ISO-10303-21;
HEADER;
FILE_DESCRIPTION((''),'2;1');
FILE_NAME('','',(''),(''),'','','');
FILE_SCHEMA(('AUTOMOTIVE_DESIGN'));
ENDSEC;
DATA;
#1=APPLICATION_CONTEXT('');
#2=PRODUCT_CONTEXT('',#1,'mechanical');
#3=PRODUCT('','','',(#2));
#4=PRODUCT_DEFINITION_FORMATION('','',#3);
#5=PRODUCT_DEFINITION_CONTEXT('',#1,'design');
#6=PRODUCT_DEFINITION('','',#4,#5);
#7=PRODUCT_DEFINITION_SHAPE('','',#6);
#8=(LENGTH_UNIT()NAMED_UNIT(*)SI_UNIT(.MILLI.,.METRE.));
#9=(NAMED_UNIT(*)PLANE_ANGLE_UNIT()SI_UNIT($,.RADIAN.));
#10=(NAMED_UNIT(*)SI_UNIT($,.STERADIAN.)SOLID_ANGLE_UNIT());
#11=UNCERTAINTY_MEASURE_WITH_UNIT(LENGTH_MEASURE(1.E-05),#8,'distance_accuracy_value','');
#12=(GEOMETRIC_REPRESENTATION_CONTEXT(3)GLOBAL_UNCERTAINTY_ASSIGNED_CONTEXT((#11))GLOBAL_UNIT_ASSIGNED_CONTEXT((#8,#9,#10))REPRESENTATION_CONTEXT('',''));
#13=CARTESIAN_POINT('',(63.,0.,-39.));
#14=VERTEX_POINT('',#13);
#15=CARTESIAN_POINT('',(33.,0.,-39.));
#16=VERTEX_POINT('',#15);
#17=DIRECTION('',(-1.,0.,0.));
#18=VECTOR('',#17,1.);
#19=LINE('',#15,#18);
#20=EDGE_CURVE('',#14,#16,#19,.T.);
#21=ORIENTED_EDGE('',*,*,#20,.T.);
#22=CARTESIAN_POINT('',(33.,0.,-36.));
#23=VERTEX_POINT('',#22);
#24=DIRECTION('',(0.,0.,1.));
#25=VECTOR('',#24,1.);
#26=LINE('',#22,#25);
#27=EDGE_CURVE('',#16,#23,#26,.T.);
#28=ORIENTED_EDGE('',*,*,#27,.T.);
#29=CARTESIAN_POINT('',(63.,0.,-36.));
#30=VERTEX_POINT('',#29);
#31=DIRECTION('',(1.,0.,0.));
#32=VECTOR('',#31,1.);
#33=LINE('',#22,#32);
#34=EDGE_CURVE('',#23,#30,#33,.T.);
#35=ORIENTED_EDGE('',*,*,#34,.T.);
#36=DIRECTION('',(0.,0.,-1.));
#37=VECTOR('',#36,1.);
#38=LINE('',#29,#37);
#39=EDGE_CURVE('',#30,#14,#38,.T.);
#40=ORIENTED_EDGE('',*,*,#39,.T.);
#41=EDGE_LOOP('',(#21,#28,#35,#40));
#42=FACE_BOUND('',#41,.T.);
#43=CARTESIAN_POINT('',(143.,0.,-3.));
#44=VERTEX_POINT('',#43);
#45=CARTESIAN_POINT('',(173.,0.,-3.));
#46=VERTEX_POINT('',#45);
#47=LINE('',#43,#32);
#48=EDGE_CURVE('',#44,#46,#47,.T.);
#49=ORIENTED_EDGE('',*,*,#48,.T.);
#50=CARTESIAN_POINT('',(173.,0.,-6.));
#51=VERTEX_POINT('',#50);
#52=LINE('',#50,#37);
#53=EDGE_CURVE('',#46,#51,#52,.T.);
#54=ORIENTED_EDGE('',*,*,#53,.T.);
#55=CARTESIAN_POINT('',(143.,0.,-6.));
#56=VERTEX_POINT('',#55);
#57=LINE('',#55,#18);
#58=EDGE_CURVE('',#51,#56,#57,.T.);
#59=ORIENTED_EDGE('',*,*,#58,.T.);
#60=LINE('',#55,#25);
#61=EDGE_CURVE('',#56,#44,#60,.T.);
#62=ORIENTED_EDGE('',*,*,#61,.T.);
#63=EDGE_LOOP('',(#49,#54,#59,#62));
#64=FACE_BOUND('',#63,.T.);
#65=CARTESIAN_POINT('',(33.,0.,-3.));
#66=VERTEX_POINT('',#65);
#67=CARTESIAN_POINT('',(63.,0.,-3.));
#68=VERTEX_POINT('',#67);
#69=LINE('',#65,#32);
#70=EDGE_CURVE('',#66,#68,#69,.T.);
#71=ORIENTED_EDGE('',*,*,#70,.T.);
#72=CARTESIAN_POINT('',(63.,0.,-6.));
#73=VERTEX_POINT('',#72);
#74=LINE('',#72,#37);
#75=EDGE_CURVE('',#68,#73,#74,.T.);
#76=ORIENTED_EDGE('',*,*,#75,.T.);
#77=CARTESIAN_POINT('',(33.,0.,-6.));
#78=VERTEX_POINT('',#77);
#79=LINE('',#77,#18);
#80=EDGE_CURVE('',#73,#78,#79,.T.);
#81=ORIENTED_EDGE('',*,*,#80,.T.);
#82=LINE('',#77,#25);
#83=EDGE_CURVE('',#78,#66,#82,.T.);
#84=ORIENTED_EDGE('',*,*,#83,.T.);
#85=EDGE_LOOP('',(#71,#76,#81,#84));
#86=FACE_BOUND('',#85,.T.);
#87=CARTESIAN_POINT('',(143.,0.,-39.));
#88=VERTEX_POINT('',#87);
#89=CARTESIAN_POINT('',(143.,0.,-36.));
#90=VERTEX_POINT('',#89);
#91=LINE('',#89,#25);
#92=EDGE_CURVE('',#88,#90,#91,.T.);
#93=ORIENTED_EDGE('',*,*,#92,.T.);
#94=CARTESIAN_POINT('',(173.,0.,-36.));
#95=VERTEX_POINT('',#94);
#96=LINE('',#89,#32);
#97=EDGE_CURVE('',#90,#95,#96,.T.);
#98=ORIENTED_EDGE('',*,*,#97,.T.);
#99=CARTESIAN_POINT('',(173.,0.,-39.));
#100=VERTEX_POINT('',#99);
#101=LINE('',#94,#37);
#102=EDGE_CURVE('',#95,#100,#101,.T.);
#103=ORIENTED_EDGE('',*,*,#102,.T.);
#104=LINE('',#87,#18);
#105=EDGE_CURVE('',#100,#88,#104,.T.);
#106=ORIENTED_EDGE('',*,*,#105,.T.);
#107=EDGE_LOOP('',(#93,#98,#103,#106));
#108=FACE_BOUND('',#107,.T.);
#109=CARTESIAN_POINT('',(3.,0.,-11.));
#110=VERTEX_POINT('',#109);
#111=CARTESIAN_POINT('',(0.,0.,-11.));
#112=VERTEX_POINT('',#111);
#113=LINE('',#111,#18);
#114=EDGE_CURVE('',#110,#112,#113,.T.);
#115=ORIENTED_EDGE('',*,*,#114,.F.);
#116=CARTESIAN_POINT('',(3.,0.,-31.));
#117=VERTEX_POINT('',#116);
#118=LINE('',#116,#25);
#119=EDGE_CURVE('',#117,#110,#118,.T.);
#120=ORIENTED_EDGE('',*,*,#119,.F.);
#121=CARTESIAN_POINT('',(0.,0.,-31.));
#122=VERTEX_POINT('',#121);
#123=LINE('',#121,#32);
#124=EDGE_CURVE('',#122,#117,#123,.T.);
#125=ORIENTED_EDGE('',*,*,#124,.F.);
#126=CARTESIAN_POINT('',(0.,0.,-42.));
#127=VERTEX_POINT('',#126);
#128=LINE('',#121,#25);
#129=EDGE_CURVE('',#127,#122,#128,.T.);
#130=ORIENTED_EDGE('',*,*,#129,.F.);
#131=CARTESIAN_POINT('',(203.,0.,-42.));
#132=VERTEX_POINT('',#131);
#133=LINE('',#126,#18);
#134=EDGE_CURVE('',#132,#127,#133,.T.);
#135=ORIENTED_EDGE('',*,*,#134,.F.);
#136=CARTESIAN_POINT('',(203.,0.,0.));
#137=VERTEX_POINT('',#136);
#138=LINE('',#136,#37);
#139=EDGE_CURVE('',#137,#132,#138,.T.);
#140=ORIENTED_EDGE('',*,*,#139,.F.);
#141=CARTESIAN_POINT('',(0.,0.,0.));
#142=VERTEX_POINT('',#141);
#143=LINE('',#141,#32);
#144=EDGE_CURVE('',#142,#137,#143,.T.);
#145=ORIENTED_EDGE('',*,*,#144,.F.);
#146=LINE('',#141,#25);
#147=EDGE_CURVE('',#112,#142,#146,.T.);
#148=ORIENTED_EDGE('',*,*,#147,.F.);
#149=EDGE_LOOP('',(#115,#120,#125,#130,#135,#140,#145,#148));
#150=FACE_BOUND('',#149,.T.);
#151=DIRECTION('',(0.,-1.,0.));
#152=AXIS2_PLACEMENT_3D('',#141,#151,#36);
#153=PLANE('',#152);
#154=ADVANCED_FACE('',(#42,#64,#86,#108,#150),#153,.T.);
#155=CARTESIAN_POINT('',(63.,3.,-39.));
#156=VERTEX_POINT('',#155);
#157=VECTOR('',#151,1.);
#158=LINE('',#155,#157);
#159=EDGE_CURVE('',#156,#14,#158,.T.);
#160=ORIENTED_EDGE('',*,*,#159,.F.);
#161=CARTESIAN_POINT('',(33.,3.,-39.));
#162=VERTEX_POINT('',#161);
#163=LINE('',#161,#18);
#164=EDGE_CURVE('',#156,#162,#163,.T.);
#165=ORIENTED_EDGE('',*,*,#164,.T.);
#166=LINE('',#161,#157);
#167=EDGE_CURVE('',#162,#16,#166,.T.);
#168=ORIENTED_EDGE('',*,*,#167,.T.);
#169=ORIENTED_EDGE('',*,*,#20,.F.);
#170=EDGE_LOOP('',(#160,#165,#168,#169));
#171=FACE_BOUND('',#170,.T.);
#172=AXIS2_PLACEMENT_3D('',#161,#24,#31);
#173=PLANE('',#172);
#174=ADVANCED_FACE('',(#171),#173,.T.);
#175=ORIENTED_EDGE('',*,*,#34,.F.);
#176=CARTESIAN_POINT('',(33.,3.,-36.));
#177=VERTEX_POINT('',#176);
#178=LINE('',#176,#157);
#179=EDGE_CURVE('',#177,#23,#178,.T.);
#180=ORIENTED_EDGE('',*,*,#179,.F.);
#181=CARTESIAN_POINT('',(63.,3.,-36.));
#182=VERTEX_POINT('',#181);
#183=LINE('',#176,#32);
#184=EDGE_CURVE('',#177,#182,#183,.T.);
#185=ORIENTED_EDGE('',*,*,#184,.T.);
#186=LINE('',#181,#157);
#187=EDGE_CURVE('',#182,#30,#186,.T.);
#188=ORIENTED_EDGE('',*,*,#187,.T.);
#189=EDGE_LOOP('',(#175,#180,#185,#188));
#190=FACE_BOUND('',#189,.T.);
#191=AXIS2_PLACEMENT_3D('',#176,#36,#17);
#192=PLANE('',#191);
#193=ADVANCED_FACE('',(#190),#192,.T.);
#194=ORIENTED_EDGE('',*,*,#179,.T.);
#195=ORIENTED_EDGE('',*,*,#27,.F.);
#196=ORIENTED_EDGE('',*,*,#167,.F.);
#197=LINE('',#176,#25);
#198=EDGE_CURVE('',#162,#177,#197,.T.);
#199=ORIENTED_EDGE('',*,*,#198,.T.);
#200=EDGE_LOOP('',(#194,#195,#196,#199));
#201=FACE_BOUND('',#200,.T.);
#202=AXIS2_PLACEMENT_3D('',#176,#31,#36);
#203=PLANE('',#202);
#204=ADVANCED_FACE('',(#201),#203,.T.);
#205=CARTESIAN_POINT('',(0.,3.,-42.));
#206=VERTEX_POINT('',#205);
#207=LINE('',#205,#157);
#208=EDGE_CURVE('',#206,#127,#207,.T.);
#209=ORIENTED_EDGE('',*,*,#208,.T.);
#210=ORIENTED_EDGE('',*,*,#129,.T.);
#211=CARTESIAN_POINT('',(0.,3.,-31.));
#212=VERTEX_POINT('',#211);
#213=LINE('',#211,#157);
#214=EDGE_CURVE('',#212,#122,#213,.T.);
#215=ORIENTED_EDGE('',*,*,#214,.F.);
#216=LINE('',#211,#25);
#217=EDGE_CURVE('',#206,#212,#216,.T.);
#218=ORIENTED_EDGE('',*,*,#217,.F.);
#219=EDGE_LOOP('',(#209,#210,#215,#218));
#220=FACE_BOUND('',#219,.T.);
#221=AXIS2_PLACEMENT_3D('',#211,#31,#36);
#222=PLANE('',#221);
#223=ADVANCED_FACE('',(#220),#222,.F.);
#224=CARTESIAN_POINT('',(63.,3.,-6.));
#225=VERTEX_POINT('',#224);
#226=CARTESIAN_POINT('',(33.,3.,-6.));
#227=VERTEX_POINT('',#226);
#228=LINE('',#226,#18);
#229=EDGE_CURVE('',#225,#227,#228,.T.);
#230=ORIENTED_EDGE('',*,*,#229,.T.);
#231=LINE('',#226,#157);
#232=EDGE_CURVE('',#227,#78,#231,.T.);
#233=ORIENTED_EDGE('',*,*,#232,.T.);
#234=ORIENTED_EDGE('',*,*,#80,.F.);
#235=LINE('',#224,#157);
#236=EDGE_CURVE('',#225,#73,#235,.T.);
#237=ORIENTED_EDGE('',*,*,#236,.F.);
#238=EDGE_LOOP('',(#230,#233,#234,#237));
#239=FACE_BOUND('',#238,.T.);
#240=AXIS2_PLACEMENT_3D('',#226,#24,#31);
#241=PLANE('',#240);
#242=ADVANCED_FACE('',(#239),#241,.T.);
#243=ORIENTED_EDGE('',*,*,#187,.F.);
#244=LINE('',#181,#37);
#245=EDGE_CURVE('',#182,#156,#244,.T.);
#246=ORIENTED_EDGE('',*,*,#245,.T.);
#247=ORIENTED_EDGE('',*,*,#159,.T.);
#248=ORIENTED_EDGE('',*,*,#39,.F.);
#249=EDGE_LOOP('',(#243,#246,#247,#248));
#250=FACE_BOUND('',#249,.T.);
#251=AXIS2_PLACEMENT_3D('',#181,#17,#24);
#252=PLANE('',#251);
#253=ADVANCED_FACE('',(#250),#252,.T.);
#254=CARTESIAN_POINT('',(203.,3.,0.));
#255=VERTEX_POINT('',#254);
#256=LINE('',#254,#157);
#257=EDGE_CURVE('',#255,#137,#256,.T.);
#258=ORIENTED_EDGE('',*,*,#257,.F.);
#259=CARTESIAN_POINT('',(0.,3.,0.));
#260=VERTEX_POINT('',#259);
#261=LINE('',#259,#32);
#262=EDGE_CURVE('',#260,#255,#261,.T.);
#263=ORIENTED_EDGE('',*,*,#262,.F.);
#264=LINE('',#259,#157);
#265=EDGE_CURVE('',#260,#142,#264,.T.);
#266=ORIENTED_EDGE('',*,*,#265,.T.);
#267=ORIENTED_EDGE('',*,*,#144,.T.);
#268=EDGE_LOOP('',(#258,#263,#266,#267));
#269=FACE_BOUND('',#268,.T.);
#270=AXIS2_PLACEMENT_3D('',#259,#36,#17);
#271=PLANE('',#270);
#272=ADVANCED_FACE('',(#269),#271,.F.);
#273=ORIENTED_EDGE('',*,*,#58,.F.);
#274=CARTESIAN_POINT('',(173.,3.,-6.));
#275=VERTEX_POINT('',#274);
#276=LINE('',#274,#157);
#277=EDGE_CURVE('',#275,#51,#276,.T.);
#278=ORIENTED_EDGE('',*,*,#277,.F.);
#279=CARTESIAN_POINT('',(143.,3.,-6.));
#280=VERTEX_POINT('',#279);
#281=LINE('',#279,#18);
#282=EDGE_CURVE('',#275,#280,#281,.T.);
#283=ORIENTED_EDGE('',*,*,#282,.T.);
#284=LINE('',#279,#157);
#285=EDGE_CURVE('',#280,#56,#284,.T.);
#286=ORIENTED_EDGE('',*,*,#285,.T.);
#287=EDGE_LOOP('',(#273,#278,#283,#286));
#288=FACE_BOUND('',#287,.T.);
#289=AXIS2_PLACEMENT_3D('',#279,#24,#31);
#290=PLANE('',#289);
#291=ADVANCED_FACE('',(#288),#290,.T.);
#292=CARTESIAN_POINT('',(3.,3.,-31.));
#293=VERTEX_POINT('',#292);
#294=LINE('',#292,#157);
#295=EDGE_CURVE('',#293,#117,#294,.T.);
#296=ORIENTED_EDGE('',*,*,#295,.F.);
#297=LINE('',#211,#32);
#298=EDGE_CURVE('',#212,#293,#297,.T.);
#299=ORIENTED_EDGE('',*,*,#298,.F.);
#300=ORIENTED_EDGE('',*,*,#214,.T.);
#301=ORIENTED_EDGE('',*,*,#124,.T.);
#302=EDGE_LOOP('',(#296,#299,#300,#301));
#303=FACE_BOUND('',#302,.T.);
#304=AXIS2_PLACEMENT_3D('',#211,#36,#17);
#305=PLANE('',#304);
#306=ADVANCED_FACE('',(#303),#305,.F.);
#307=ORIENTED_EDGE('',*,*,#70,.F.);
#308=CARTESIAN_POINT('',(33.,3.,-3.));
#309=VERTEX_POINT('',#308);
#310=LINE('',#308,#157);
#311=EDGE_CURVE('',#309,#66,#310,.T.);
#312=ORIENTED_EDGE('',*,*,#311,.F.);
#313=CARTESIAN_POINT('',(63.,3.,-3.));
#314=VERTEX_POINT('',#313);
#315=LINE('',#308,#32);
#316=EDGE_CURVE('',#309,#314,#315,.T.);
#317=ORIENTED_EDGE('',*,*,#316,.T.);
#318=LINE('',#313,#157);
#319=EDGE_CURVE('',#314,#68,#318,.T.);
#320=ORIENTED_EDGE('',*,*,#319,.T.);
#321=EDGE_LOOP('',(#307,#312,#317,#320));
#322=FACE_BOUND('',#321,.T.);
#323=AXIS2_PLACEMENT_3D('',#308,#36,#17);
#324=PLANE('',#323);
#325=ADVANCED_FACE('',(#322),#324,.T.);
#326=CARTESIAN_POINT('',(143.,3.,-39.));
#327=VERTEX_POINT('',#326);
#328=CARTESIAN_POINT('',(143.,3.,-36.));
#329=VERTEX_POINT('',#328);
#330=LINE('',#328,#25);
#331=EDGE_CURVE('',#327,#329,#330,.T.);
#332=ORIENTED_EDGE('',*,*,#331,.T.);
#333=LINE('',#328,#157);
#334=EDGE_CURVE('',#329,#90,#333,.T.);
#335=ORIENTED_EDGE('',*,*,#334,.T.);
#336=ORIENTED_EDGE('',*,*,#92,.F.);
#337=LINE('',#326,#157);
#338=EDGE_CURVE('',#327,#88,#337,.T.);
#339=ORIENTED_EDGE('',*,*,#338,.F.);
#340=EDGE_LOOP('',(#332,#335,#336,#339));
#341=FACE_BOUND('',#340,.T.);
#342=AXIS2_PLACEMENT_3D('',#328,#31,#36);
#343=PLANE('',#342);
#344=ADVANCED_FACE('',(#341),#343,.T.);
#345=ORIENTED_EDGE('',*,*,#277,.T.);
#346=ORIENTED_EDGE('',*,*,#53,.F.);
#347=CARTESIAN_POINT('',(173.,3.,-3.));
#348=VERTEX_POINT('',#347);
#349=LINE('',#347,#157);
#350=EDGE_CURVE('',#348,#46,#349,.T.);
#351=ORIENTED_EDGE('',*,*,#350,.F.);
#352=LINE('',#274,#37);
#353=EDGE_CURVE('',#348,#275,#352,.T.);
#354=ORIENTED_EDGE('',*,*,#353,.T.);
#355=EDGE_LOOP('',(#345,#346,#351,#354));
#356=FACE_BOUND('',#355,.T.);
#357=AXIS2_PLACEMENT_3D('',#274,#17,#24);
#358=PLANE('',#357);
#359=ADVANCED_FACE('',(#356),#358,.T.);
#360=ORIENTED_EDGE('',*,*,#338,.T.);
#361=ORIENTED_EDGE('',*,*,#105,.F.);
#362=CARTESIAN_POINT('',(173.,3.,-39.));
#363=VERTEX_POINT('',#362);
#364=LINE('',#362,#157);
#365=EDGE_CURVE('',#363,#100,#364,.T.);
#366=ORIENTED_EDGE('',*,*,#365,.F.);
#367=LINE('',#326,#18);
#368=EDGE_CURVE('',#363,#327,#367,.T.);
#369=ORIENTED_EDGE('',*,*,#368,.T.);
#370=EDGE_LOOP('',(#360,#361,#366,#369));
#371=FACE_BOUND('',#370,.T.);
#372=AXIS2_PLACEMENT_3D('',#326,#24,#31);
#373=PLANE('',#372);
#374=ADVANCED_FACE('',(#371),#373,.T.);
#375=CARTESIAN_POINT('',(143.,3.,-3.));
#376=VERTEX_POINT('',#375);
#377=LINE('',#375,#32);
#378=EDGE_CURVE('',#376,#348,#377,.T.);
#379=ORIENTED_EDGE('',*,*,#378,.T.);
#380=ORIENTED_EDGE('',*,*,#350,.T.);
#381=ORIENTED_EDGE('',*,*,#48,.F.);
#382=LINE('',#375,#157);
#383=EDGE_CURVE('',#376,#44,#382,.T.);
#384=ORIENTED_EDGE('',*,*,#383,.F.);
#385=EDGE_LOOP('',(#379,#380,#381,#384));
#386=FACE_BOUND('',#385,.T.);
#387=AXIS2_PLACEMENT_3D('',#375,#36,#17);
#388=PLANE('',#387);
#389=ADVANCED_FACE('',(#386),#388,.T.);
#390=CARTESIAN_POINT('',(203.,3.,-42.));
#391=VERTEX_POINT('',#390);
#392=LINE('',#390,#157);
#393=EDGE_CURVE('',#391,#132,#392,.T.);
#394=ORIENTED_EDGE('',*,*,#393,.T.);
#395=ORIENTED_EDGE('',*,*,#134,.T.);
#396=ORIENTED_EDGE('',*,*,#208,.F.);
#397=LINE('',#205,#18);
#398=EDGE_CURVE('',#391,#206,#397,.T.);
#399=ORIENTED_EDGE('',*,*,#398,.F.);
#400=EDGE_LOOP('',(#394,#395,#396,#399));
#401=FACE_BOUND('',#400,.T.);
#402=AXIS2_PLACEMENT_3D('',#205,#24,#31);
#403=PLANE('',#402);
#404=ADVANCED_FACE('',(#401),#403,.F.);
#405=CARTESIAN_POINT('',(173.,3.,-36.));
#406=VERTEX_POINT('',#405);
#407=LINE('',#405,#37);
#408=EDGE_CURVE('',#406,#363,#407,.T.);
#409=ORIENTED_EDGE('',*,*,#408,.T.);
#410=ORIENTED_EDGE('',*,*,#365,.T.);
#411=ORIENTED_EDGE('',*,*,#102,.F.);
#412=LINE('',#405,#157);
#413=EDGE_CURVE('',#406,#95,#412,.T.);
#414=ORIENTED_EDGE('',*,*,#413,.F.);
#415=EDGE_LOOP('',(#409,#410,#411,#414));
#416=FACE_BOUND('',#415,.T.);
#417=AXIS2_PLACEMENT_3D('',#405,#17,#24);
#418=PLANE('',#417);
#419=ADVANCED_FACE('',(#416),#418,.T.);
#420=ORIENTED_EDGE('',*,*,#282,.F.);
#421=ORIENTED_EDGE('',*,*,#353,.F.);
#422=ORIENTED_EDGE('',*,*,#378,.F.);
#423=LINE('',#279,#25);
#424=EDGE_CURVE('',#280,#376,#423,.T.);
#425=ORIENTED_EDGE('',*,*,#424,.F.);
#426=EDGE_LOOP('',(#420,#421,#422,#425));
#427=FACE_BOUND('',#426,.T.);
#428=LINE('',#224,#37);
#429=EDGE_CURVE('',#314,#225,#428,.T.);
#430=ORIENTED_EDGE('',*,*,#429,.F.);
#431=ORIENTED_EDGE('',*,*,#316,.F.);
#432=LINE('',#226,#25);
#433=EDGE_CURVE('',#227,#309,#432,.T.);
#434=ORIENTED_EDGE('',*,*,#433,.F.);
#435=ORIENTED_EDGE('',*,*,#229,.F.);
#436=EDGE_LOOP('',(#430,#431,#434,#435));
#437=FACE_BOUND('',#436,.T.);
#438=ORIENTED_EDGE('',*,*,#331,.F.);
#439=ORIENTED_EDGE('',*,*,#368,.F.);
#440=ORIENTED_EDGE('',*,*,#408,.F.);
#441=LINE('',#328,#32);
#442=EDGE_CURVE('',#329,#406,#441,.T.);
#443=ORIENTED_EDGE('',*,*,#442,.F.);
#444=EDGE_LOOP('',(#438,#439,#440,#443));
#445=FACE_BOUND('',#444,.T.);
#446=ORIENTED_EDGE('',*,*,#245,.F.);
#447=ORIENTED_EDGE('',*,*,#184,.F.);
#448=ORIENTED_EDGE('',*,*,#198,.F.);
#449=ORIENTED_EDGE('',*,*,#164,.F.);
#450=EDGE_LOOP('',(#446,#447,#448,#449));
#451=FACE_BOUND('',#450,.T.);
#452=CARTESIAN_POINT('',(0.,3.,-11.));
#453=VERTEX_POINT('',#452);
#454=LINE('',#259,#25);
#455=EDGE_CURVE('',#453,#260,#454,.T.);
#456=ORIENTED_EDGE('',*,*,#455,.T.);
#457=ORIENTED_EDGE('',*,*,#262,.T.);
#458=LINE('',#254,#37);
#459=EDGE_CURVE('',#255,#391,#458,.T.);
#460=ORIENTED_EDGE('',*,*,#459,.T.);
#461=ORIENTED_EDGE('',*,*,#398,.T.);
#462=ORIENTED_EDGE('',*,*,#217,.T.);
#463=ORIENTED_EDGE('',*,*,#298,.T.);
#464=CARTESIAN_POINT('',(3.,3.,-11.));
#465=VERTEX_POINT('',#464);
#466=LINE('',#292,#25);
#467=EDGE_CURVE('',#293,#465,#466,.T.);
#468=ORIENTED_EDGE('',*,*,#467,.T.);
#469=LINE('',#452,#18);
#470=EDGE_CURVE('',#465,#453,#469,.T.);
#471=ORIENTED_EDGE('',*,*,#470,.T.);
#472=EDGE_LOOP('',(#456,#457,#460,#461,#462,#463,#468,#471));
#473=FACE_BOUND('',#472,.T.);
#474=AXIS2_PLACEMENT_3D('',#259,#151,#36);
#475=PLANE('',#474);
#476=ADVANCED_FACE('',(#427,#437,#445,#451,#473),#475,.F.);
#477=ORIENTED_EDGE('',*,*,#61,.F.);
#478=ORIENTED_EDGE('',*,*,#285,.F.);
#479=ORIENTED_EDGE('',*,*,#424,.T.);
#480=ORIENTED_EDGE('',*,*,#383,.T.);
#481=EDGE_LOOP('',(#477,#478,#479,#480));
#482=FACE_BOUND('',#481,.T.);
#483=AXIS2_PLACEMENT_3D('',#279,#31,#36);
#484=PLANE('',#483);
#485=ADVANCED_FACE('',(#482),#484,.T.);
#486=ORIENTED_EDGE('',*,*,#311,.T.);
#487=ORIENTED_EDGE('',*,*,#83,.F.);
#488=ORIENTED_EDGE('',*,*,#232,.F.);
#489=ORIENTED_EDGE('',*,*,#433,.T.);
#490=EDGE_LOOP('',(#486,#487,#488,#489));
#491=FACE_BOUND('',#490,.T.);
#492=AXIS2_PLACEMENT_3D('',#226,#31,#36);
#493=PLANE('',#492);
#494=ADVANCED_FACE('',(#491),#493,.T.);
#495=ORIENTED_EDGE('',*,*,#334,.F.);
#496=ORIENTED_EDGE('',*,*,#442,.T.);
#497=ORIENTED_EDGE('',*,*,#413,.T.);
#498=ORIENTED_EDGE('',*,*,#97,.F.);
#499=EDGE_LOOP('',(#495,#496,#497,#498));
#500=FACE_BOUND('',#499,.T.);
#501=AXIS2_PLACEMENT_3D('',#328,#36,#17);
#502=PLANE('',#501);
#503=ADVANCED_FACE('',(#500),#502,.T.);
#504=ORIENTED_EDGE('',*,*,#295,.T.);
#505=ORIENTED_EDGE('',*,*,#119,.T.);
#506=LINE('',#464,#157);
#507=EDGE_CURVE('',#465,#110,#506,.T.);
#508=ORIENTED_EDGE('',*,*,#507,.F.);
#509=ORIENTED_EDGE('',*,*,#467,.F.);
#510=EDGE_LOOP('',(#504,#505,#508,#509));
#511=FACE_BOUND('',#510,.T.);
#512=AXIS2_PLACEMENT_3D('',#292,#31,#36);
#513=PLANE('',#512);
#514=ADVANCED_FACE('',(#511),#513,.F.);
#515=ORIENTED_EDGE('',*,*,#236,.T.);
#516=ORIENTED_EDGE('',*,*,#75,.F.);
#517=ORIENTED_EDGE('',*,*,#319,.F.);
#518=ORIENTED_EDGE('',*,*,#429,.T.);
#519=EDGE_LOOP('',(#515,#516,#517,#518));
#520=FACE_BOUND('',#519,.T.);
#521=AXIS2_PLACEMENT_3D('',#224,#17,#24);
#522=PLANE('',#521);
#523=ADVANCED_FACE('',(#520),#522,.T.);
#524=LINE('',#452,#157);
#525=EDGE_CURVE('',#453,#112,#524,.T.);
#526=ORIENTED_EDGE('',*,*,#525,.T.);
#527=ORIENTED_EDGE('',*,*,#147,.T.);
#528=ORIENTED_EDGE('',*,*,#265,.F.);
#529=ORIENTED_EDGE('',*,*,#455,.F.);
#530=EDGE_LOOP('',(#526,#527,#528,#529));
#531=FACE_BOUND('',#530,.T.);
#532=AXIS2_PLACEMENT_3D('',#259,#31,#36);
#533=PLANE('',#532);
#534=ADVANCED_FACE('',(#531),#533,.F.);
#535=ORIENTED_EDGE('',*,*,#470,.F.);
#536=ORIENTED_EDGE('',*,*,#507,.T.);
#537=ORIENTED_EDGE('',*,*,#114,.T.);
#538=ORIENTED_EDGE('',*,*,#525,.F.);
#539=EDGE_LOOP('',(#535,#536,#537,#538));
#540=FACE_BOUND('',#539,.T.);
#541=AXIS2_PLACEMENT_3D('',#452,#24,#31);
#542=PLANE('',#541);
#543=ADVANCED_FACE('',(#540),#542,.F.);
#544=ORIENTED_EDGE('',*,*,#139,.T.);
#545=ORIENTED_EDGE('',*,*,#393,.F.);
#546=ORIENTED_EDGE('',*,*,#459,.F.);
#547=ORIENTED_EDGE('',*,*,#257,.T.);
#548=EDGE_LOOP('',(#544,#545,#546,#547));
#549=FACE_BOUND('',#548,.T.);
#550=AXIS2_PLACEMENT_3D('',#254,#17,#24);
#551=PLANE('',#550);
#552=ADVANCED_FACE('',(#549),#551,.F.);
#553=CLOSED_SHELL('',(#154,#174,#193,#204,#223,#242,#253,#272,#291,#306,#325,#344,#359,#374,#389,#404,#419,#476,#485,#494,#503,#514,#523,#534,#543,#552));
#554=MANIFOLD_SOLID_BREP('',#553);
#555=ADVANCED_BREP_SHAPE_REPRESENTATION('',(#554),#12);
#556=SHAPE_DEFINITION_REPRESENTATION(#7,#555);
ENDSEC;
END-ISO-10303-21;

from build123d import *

# Parameters (mm, degrees)
SKETCH1_W           = 30
SKETCH1_H           = 3
BOSS_EXTRUDE1_DEPTH = 3


with BuildPart() as part:
    # Sketch1 → Boss-Extrude1 (new body)
    with BuildSketch(Plane(origin=(0, 0, 0), x_dir=(1, 0, 0), z_dir=(0, 1, 0))):
        Polygon((0, 31), (0, 42), (203, 42), (203, 0), (0, 0), (0, 11), (3, 11), (3, 31), align=None)
        with Locations((48, 4.5)):
            Rectangle(SKETCH1_W, SKETCH1_H, mode=Mode.SUBTRACT)
        with Locations((158, 4.5)):
            Rectangle(SKETCH1_W, SKETCH1_H, mode=Mode.SUBTRACT)
        with Locations((158, 37.5)):
            Rectangle(SKETCH1_W, SKETCH1_H, mode=Mode.SUBTRACT)
        with Locations((48, 37.5)):
            Rectangle(SKETCH1_W, SKETCH1_H, mode=Mode.SUBTRACT)
    extrude(amount=BOSS_EXTRUDE1_DEPTH)


solid = part.part
